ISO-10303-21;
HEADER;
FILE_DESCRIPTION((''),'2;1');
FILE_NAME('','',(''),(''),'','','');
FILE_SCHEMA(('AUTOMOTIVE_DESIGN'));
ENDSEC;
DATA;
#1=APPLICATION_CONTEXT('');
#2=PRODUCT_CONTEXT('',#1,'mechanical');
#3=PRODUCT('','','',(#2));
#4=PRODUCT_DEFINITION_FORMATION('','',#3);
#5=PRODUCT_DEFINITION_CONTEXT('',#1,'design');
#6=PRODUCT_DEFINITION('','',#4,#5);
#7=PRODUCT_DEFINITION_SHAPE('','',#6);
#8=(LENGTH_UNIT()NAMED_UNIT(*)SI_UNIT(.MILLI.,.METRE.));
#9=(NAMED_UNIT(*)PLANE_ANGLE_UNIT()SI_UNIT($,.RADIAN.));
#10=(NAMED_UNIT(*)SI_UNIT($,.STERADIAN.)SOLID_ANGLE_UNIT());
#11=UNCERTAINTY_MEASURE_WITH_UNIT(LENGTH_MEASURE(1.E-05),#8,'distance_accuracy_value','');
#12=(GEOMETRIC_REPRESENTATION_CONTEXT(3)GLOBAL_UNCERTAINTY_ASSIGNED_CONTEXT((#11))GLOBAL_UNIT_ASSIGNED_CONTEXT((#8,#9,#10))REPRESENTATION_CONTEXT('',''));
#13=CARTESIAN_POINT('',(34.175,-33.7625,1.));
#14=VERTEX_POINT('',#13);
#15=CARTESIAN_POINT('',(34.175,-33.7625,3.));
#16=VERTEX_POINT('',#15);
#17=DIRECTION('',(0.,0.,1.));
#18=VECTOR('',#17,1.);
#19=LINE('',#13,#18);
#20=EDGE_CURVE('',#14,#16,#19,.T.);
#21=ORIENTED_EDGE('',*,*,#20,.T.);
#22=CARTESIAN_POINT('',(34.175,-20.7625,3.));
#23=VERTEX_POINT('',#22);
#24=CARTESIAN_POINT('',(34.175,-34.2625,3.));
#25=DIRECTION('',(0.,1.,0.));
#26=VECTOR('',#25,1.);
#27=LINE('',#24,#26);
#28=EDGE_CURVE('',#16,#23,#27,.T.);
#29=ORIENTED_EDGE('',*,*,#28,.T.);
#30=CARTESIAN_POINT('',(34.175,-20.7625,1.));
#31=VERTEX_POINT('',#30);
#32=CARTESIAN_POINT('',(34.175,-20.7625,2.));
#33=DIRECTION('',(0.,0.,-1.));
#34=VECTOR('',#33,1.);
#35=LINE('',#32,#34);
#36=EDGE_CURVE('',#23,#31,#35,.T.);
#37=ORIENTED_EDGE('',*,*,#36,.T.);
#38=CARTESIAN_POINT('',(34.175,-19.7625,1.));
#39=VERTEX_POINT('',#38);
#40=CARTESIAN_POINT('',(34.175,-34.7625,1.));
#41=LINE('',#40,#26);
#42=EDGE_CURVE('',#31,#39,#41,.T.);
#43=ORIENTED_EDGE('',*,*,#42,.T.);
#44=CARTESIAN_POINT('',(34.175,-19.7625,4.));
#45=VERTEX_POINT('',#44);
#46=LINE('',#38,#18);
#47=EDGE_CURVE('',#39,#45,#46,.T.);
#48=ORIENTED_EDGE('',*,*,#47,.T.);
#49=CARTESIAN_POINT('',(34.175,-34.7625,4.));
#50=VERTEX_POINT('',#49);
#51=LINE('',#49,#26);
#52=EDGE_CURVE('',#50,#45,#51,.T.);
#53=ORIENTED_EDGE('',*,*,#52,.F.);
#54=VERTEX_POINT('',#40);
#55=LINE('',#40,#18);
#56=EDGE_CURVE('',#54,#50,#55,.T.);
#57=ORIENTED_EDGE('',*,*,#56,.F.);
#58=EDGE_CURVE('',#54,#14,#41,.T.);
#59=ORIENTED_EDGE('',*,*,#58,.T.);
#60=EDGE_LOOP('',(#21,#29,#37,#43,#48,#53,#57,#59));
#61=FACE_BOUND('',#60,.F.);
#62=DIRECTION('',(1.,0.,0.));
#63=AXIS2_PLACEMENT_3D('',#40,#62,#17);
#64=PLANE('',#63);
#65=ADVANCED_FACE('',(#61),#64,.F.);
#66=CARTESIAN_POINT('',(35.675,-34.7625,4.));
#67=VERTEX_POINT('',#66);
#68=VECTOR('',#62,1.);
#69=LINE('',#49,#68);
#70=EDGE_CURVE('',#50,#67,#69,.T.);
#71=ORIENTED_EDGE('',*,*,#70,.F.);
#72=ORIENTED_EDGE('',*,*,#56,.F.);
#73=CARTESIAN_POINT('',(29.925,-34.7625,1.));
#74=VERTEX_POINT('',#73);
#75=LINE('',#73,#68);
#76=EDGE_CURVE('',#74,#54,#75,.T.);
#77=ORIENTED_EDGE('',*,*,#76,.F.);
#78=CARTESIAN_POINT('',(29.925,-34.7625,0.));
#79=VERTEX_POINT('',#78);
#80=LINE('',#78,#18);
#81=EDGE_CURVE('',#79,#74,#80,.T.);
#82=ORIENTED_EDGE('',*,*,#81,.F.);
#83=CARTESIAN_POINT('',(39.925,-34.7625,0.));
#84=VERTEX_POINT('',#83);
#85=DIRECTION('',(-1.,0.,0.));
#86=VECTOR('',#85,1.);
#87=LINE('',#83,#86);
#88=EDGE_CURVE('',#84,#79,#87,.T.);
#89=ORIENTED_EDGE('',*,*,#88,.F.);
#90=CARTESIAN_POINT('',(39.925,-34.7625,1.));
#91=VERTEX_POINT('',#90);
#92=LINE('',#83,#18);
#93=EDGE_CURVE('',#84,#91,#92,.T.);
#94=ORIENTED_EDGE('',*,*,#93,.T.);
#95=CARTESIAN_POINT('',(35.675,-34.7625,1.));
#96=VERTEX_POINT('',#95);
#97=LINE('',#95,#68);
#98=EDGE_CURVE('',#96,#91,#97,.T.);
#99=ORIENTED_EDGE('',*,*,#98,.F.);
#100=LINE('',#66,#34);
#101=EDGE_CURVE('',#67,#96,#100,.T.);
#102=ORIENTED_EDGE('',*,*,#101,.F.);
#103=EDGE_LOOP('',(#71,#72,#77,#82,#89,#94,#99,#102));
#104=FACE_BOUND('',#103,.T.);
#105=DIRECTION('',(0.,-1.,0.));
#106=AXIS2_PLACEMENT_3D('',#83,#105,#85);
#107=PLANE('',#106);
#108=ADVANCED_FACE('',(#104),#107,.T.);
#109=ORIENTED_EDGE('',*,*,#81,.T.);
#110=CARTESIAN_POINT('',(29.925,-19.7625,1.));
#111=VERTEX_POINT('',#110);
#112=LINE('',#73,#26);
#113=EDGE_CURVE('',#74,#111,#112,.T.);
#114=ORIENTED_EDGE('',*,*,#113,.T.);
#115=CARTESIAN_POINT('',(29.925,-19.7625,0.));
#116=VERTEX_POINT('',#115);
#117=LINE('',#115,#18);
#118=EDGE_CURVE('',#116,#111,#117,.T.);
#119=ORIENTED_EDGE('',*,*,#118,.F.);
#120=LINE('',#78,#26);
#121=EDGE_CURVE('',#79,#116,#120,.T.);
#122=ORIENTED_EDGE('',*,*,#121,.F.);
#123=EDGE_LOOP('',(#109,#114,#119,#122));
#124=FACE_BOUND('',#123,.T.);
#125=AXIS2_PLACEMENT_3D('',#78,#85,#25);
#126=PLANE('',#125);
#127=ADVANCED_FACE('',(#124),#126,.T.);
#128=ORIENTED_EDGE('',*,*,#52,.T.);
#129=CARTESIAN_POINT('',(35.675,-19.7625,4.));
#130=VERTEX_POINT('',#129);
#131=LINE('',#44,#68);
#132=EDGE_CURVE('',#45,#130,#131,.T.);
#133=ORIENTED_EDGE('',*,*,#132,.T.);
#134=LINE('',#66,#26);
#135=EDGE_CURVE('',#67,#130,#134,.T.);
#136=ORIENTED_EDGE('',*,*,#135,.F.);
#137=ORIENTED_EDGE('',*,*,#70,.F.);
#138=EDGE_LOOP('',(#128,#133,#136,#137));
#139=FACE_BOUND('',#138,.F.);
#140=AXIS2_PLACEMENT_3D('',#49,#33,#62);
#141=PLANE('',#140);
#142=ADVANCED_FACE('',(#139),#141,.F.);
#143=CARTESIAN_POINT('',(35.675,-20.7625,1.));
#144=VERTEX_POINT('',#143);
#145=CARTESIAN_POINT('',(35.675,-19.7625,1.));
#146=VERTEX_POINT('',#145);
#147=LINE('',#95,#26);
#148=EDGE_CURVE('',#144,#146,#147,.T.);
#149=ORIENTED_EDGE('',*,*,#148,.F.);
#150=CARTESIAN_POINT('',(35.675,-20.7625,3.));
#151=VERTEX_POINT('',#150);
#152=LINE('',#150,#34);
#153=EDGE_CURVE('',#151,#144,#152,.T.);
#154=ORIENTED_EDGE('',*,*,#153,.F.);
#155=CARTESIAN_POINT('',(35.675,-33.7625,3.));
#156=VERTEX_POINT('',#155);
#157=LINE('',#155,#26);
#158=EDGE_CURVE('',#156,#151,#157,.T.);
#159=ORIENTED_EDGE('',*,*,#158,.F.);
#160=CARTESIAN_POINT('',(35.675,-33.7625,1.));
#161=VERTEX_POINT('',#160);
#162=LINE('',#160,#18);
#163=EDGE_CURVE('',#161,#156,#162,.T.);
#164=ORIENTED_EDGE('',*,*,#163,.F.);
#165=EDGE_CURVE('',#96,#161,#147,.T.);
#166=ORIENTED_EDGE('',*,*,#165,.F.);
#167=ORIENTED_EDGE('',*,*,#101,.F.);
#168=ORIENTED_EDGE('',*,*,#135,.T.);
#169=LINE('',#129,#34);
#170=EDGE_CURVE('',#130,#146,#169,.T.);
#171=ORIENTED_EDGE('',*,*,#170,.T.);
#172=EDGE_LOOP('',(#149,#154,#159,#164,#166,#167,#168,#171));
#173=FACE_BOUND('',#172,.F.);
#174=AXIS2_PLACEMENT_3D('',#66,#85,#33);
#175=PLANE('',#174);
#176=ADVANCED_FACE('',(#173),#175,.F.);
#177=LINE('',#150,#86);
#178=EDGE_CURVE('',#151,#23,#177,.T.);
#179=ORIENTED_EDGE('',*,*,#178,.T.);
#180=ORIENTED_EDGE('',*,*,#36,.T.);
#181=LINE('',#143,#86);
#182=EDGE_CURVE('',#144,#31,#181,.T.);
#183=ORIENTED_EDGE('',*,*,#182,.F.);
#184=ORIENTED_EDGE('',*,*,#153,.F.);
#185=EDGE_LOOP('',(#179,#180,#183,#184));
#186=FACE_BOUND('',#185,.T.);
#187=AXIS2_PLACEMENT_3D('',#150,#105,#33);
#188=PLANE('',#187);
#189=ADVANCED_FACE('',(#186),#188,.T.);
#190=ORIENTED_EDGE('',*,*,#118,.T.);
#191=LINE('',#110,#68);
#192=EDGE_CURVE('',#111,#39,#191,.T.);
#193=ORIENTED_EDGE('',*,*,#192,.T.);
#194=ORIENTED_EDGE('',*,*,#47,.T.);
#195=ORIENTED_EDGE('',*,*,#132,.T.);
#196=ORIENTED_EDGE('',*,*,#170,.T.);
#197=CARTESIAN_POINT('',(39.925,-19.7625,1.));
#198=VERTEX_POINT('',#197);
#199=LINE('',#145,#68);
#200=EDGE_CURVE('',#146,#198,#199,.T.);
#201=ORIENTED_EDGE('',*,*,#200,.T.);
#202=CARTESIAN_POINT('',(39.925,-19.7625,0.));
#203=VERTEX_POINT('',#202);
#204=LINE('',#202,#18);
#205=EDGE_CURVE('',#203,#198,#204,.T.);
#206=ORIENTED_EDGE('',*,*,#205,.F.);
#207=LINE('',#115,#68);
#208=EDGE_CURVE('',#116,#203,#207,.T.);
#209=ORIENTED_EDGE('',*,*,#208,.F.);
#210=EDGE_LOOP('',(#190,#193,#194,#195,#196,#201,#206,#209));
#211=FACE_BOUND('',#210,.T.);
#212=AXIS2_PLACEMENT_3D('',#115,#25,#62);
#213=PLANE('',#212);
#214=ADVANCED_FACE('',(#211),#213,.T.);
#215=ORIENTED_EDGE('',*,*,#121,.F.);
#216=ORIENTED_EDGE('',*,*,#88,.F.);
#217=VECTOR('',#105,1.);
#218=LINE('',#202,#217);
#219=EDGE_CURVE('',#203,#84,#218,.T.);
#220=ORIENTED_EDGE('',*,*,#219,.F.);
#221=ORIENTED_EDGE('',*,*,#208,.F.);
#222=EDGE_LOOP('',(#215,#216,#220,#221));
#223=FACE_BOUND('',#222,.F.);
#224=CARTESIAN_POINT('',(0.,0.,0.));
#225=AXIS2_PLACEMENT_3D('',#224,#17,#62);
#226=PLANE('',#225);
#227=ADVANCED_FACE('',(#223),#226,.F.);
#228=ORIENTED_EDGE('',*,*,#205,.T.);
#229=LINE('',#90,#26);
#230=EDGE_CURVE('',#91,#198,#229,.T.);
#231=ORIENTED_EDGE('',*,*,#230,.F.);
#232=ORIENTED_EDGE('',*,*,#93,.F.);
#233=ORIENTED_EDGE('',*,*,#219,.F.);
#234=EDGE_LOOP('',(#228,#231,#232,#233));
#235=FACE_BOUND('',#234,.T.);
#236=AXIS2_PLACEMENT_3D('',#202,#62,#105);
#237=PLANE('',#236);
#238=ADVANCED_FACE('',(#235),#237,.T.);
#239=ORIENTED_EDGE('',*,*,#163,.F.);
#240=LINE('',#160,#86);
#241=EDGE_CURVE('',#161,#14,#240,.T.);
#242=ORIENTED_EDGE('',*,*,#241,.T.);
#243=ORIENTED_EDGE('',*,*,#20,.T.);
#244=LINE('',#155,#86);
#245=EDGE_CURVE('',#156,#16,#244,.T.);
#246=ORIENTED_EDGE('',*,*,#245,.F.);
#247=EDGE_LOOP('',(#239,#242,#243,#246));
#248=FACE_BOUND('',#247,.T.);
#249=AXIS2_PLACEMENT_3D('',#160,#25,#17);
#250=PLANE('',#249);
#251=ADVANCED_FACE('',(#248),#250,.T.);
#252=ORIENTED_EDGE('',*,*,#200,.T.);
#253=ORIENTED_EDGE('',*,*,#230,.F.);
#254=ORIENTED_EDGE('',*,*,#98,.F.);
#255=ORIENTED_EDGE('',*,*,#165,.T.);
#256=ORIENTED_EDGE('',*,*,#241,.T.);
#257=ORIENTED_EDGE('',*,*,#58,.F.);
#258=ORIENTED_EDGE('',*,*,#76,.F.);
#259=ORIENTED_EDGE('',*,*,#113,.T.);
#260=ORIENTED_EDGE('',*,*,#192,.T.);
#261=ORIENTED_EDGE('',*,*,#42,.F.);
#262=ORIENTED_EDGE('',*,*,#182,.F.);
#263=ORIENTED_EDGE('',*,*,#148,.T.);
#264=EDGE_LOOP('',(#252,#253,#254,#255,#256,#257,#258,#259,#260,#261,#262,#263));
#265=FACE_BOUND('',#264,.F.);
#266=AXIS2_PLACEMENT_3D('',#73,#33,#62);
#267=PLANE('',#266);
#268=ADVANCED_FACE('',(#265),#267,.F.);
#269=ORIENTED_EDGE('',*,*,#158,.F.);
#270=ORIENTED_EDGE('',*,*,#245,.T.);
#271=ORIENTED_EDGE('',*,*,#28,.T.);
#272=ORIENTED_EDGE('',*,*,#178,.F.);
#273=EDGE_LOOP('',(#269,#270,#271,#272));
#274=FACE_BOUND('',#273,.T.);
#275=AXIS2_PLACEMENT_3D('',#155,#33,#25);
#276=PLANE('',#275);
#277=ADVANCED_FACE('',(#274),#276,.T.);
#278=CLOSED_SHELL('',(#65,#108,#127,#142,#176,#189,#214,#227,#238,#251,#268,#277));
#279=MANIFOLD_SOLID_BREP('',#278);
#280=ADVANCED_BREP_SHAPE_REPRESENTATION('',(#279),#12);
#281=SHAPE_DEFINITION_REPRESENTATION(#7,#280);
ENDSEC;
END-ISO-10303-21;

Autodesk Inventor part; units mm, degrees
ref_plane "YZ Plane" through (0, 0, 0) normal (1, 0, 0) x (0, 1, 0)
ref_plane "XZ Plane" through (0, 0, 0) normal (0, 1, 0) x (-1, 0, 0)
ref_plane "XY Plane" through (0, 0, 0) normal (0, 0, 1) x (1, 0, 0)
sketch "Эскиз1" plane through (0, 0, 0) normal (0, 0, 1) x (1, 0, 0)
  line L0 (29.925, -19.7625) -> (39.925, -19.7625)
  line L1 (39.925, -19.7625) -> (39.925, -34.7625)
  line L2 (39.925, -34.7625) -> (29.925, -34.7625)
  line L3 (29.925, -34.7625) -> (29.925, -19.7625)
  point P0 (0, 0)
  dimension "d0" = 15
  dimension "d1" = 10
extrude "Выдавливание1" add sketch "Эскиз1" along normal blind 5
sketch "Эскиз2" plane through (29.925, -34.7625, 0) normal (0, -1, 0) x (1, 0, 0)
  line L0 (0, 0) -> (0, 5) projected
  line L1 (0, 1) -> (4.25, 1)
  line L2 (4.25, 1) -> (4.25, 4)
  line L3 (4.25, 4) -> (5.75, 4)
  line L4 (5.75, 4) -> (5.75, 1)
  line L5 (5.75, 1) -> (10, 1)
  line L6 (10, 0) -> (10, 5) projected
  line L7 (0, 5) -> (10, 5) projected
  line L8 (0, 0) -> (10, 0) projected
  point P0 (-29.925, 0)
  dimension "d4" = 1.5
  dimension "d5" = 4.25
  dimension "d6" = 10
  dimension "d7" = 1
  dimension "d8" = 1
extrude "Выдавливание2" cut sketch "Эскиз2" against normal through all contours L0 L1 L2 L3 L4 L5 L6 L8 keep common part
sketch "Эскиз3" plane through (35.675, -34.7625, 4) normal (1, 0, 0) x (0, 0, -1)
  line L0 (3, 15) -> (0, 15) projected
  line L1 (0, 0) -> (0, 15) projected
  line L2 (0, 0) -> (3, 0) projected
  line L3 (3, 0) -> (3, 15) projected
  line L4 (3, 0) -> (3, 15) projected
  line L5 (3, 1) -> (1, 1)
  line L6 (1, 1) -> (1, 14)
  line L7 (1, 14) -> (3, 14)
  line L8 (3, 14) -> (3, 1)
  point P0 (4, 34.7625)
  point P1 (3, 1)
  dimension "d11" = 1
  dimension "d12" = 1
  dimension "d13" = 1
extrude "Выдавливание3" cut sketch "Эскиз3" against normal through all contours L3 L5 L6 L7
equation "\"d5\" = -0.5 * d4 + 0.5 * d6"
properties part number "Клемники винтовые"
